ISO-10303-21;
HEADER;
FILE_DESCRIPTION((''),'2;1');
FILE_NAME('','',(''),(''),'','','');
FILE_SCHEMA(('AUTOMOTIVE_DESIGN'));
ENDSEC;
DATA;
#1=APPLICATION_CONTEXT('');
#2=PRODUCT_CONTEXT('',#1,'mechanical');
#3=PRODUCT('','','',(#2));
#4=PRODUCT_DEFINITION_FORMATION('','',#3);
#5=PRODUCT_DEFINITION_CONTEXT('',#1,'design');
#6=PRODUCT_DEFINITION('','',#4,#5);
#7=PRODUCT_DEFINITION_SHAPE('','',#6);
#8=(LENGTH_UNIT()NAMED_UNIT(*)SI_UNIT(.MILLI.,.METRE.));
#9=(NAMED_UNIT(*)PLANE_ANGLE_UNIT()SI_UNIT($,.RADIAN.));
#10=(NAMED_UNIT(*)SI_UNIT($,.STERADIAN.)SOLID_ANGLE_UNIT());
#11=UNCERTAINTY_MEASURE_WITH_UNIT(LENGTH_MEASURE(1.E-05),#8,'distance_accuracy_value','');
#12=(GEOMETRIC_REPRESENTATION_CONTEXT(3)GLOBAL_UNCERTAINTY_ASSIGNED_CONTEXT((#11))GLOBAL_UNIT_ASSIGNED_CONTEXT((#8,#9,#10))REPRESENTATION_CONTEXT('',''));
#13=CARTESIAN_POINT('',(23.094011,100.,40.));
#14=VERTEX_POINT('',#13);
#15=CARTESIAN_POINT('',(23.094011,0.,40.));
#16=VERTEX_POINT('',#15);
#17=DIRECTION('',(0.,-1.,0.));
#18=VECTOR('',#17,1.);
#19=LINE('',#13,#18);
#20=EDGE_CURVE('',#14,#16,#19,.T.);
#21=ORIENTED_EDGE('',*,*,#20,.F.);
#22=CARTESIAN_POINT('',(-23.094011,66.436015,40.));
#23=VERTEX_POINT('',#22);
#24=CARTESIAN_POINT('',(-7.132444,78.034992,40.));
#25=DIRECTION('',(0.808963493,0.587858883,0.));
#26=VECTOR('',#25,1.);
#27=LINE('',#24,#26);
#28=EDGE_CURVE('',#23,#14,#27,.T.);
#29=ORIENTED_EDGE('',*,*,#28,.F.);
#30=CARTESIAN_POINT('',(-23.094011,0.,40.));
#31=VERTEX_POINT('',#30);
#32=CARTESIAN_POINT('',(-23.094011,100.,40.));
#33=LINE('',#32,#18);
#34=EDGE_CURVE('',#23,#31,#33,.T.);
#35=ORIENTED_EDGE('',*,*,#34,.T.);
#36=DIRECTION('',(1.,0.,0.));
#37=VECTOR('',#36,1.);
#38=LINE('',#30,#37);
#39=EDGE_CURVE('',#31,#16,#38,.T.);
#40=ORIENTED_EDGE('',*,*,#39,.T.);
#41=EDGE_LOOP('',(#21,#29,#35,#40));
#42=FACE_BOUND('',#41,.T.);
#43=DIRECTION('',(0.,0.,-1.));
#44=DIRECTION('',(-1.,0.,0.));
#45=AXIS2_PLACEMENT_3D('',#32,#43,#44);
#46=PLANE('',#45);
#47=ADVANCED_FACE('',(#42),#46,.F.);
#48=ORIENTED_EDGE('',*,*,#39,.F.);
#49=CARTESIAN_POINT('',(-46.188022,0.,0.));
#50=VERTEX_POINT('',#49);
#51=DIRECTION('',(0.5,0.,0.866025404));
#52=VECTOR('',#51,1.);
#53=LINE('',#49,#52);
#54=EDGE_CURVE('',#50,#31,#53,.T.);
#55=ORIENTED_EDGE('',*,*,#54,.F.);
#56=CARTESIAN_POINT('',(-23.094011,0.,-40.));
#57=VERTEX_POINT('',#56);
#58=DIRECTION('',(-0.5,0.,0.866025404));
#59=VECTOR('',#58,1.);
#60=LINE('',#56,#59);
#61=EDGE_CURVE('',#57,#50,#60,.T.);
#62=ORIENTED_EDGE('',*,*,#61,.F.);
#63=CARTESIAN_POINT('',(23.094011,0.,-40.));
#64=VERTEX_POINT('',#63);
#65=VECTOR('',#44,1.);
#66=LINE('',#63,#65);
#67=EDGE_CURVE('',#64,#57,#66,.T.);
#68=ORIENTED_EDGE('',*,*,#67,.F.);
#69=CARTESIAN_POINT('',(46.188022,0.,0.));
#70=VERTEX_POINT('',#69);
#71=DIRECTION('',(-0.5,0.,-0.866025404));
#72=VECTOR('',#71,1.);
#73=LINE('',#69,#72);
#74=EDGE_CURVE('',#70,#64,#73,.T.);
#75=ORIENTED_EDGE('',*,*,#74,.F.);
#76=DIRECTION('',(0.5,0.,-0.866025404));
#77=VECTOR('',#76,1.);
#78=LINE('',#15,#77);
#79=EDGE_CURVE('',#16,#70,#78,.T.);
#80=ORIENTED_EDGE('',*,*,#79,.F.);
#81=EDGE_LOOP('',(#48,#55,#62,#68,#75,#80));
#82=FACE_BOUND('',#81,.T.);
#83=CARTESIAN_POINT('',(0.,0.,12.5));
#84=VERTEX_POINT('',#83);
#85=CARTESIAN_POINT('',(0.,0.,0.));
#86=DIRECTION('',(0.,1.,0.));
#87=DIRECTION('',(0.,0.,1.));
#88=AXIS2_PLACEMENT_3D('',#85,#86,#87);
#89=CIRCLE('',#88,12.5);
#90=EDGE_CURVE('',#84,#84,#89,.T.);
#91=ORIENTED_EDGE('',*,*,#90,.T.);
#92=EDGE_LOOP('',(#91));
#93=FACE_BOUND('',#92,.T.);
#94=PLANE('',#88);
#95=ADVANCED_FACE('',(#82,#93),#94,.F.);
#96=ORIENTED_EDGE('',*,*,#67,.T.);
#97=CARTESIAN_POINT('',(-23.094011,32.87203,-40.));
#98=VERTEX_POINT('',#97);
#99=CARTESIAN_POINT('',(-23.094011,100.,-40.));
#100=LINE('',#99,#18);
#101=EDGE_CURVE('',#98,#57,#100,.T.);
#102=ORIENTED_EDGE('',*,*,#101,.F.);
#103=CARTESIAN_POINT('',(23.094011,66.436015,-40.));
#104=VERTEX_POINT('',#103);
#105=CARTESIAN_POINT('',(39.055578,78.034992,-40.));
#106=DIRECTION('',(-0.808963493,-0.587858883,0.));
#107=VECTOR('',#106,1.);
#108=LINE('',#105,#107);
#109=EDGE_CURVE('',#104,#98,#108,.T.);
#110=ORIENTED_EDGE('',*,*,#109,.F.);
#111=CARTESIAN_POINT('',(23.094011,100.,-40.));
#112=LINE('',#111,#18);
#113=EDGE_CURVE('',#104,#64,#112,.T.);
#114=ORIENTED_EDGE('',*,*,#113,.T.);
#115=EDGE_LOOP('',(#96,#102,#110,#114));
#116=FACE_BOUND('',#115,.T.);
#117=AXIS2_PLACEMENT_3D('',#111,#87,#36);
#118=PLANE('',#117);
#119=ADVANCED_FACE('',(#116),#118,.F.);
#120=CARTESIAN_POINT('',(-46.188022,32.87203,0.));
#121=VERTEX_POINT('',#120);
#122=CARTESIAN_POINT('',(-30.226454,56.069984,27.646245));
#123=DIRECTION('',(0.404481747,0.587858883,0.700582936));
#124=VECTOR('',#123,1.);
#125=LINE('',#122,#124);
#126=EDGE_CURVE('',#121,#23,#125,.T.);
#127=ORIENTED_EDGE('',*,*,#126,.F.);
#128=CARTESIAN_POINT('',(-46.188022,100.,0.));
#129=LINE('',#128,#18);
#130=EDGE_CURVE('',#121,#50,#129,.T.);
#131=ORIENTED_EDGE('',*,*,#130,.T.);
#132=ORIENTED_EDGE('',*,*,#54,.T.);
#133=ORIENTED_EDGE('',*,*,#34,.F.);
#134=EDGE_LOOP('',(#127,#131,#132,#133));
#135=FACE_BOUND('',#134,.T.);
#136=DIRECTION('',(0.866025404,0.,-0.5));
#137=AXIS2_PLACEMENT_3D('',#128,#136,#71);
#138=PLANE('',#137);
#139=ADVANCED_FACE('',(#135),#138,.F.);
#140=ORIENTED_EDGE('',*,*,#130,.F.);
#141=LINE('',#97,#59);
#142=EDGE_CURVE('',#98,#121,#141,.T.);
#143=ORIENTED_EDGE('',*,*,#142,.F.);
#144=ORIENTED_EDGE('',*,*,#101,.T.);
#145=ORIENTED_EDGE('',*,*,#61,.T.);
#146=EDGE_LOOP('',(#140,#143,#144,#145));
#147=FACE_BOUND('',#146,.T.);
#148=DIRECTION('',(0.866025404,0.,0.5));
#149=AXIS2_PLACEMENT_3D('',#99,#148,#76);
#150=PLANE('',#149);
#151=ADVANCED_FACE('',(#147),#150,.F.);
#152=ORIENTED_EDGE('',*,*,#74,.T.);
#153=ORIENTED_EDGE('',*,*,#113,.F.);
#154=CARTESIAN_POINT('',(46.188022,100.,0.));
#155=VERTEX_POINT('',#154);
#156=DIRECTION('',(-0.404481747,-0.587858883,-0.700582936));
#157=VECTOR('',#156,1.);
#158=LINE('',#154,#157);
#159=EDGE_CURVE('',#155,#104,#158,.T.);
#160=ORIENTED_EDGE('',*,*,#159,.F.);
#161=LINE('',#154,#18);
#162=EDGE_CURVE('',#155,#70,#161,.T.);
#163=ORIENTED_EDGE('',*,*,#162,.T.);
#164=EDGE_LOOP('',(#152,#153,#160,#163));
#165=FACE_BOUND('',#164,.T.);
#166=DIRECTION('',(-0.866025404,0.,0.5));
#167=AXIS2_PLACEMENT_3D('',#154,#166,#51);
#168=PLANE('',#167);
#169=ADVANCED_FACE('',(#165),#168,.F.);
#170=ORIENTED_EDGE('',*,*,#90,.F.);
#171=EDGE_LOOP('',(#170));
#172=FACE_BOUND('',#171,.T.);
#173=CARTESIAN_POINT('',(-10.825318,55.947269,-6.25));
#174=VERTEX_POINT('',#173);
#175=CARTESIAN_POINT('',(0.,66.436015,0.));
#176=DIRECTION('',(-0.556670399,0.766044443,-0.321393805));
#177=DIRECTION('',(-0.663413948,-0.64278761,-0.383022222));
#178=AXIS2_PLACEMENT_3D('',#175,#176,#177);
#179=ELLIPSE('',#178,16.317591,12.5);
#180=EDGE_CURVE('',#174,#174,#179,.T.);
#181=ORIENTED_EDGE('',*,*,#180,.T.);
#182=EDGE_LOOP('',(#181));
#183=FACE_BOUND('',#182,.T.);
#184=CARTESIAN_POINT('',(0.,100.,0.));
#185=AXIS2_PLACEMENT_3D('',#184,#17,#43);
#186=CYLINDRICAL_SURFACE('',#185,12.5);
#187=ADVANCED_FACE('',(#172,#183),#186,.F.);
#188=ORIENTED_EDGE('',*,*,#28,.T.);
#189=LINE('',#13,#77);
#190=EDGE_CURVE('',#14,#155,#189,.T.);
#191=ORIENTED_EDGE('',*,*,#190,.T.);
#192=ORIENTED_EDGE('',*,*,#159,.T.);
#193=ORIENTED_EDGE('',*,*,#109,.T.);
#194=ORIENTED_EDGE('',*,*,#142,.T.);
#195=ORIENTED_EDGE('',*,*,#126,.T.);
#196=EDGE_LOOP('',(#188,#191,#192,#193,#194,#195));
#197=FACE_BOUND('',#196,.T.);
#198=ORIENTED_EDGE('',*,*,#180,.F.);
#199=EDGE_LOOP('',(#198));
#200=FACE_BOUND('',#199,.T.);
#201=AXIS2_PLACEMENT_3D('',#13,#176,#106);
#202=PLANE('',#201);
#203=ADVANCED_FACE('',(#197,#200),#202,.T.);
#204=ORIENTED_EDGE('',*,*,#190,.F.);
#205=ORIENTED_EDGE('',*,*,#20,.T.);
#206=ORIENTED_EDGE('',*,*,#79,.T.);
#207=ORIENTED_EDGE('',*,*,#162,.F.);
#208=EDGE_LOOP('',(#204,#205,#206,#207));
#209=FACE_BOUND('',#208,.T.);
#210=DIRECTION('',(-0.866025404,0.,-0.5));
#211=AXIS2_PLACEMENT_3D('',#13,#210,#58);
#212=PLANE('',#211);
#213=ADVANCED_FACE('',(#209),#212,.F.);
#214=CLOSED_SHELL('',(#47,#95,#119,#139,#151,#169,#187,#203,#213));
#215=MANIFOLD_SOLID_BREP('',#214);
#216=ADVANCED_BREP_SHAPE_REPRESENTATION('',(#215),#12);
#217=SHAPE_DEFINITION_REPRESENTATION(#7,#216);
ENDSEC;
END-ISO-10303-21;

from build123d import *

# Parameters (mm, degrees)
SKETCH1_R           = 12.5
BOSS_EXTRUDE1_DEPTH = 100
DRAFT8_ANGLE        = -40


with BuildPart() as part:
    # Sketch1 → Boss-Extrude1 (new body)
    with BuildSketch(Plane(origin=(0, 0, 0), x_dir=(1, 0, 0), z_dir=(0, 1, 0))):
        Polygon((46.188021535, 0), (23.094010768, 40), (-23.094010768, 40), (-46.188021535, 0), (-23.094010768, -40), (23.094010768, -40), align=None)
        with Locations(Location((0, 0, 0), (0, 0, 270))):
            Circle(SKETCH1_R, mode=Mode.SUBTRACT)
    extrude(amount=BOSS_EXTRUDE1_DEPTH)

    # Draft8
    draft8_faces = [part.faces().sort_by_distance(p)[0] for p in [
        (33.582715627, 100, -19.388989907),
    ]]
    draft(draft8_faces, Plane(origin=(23.094010768, 100, 40), x_dir=(-0.49999999999999944, 0, 0.8660254037844389), z_dir=(0.866025403784439, 0, 0.49999999999999956)), DRAFT8_ANGLE)


solid = part.part
